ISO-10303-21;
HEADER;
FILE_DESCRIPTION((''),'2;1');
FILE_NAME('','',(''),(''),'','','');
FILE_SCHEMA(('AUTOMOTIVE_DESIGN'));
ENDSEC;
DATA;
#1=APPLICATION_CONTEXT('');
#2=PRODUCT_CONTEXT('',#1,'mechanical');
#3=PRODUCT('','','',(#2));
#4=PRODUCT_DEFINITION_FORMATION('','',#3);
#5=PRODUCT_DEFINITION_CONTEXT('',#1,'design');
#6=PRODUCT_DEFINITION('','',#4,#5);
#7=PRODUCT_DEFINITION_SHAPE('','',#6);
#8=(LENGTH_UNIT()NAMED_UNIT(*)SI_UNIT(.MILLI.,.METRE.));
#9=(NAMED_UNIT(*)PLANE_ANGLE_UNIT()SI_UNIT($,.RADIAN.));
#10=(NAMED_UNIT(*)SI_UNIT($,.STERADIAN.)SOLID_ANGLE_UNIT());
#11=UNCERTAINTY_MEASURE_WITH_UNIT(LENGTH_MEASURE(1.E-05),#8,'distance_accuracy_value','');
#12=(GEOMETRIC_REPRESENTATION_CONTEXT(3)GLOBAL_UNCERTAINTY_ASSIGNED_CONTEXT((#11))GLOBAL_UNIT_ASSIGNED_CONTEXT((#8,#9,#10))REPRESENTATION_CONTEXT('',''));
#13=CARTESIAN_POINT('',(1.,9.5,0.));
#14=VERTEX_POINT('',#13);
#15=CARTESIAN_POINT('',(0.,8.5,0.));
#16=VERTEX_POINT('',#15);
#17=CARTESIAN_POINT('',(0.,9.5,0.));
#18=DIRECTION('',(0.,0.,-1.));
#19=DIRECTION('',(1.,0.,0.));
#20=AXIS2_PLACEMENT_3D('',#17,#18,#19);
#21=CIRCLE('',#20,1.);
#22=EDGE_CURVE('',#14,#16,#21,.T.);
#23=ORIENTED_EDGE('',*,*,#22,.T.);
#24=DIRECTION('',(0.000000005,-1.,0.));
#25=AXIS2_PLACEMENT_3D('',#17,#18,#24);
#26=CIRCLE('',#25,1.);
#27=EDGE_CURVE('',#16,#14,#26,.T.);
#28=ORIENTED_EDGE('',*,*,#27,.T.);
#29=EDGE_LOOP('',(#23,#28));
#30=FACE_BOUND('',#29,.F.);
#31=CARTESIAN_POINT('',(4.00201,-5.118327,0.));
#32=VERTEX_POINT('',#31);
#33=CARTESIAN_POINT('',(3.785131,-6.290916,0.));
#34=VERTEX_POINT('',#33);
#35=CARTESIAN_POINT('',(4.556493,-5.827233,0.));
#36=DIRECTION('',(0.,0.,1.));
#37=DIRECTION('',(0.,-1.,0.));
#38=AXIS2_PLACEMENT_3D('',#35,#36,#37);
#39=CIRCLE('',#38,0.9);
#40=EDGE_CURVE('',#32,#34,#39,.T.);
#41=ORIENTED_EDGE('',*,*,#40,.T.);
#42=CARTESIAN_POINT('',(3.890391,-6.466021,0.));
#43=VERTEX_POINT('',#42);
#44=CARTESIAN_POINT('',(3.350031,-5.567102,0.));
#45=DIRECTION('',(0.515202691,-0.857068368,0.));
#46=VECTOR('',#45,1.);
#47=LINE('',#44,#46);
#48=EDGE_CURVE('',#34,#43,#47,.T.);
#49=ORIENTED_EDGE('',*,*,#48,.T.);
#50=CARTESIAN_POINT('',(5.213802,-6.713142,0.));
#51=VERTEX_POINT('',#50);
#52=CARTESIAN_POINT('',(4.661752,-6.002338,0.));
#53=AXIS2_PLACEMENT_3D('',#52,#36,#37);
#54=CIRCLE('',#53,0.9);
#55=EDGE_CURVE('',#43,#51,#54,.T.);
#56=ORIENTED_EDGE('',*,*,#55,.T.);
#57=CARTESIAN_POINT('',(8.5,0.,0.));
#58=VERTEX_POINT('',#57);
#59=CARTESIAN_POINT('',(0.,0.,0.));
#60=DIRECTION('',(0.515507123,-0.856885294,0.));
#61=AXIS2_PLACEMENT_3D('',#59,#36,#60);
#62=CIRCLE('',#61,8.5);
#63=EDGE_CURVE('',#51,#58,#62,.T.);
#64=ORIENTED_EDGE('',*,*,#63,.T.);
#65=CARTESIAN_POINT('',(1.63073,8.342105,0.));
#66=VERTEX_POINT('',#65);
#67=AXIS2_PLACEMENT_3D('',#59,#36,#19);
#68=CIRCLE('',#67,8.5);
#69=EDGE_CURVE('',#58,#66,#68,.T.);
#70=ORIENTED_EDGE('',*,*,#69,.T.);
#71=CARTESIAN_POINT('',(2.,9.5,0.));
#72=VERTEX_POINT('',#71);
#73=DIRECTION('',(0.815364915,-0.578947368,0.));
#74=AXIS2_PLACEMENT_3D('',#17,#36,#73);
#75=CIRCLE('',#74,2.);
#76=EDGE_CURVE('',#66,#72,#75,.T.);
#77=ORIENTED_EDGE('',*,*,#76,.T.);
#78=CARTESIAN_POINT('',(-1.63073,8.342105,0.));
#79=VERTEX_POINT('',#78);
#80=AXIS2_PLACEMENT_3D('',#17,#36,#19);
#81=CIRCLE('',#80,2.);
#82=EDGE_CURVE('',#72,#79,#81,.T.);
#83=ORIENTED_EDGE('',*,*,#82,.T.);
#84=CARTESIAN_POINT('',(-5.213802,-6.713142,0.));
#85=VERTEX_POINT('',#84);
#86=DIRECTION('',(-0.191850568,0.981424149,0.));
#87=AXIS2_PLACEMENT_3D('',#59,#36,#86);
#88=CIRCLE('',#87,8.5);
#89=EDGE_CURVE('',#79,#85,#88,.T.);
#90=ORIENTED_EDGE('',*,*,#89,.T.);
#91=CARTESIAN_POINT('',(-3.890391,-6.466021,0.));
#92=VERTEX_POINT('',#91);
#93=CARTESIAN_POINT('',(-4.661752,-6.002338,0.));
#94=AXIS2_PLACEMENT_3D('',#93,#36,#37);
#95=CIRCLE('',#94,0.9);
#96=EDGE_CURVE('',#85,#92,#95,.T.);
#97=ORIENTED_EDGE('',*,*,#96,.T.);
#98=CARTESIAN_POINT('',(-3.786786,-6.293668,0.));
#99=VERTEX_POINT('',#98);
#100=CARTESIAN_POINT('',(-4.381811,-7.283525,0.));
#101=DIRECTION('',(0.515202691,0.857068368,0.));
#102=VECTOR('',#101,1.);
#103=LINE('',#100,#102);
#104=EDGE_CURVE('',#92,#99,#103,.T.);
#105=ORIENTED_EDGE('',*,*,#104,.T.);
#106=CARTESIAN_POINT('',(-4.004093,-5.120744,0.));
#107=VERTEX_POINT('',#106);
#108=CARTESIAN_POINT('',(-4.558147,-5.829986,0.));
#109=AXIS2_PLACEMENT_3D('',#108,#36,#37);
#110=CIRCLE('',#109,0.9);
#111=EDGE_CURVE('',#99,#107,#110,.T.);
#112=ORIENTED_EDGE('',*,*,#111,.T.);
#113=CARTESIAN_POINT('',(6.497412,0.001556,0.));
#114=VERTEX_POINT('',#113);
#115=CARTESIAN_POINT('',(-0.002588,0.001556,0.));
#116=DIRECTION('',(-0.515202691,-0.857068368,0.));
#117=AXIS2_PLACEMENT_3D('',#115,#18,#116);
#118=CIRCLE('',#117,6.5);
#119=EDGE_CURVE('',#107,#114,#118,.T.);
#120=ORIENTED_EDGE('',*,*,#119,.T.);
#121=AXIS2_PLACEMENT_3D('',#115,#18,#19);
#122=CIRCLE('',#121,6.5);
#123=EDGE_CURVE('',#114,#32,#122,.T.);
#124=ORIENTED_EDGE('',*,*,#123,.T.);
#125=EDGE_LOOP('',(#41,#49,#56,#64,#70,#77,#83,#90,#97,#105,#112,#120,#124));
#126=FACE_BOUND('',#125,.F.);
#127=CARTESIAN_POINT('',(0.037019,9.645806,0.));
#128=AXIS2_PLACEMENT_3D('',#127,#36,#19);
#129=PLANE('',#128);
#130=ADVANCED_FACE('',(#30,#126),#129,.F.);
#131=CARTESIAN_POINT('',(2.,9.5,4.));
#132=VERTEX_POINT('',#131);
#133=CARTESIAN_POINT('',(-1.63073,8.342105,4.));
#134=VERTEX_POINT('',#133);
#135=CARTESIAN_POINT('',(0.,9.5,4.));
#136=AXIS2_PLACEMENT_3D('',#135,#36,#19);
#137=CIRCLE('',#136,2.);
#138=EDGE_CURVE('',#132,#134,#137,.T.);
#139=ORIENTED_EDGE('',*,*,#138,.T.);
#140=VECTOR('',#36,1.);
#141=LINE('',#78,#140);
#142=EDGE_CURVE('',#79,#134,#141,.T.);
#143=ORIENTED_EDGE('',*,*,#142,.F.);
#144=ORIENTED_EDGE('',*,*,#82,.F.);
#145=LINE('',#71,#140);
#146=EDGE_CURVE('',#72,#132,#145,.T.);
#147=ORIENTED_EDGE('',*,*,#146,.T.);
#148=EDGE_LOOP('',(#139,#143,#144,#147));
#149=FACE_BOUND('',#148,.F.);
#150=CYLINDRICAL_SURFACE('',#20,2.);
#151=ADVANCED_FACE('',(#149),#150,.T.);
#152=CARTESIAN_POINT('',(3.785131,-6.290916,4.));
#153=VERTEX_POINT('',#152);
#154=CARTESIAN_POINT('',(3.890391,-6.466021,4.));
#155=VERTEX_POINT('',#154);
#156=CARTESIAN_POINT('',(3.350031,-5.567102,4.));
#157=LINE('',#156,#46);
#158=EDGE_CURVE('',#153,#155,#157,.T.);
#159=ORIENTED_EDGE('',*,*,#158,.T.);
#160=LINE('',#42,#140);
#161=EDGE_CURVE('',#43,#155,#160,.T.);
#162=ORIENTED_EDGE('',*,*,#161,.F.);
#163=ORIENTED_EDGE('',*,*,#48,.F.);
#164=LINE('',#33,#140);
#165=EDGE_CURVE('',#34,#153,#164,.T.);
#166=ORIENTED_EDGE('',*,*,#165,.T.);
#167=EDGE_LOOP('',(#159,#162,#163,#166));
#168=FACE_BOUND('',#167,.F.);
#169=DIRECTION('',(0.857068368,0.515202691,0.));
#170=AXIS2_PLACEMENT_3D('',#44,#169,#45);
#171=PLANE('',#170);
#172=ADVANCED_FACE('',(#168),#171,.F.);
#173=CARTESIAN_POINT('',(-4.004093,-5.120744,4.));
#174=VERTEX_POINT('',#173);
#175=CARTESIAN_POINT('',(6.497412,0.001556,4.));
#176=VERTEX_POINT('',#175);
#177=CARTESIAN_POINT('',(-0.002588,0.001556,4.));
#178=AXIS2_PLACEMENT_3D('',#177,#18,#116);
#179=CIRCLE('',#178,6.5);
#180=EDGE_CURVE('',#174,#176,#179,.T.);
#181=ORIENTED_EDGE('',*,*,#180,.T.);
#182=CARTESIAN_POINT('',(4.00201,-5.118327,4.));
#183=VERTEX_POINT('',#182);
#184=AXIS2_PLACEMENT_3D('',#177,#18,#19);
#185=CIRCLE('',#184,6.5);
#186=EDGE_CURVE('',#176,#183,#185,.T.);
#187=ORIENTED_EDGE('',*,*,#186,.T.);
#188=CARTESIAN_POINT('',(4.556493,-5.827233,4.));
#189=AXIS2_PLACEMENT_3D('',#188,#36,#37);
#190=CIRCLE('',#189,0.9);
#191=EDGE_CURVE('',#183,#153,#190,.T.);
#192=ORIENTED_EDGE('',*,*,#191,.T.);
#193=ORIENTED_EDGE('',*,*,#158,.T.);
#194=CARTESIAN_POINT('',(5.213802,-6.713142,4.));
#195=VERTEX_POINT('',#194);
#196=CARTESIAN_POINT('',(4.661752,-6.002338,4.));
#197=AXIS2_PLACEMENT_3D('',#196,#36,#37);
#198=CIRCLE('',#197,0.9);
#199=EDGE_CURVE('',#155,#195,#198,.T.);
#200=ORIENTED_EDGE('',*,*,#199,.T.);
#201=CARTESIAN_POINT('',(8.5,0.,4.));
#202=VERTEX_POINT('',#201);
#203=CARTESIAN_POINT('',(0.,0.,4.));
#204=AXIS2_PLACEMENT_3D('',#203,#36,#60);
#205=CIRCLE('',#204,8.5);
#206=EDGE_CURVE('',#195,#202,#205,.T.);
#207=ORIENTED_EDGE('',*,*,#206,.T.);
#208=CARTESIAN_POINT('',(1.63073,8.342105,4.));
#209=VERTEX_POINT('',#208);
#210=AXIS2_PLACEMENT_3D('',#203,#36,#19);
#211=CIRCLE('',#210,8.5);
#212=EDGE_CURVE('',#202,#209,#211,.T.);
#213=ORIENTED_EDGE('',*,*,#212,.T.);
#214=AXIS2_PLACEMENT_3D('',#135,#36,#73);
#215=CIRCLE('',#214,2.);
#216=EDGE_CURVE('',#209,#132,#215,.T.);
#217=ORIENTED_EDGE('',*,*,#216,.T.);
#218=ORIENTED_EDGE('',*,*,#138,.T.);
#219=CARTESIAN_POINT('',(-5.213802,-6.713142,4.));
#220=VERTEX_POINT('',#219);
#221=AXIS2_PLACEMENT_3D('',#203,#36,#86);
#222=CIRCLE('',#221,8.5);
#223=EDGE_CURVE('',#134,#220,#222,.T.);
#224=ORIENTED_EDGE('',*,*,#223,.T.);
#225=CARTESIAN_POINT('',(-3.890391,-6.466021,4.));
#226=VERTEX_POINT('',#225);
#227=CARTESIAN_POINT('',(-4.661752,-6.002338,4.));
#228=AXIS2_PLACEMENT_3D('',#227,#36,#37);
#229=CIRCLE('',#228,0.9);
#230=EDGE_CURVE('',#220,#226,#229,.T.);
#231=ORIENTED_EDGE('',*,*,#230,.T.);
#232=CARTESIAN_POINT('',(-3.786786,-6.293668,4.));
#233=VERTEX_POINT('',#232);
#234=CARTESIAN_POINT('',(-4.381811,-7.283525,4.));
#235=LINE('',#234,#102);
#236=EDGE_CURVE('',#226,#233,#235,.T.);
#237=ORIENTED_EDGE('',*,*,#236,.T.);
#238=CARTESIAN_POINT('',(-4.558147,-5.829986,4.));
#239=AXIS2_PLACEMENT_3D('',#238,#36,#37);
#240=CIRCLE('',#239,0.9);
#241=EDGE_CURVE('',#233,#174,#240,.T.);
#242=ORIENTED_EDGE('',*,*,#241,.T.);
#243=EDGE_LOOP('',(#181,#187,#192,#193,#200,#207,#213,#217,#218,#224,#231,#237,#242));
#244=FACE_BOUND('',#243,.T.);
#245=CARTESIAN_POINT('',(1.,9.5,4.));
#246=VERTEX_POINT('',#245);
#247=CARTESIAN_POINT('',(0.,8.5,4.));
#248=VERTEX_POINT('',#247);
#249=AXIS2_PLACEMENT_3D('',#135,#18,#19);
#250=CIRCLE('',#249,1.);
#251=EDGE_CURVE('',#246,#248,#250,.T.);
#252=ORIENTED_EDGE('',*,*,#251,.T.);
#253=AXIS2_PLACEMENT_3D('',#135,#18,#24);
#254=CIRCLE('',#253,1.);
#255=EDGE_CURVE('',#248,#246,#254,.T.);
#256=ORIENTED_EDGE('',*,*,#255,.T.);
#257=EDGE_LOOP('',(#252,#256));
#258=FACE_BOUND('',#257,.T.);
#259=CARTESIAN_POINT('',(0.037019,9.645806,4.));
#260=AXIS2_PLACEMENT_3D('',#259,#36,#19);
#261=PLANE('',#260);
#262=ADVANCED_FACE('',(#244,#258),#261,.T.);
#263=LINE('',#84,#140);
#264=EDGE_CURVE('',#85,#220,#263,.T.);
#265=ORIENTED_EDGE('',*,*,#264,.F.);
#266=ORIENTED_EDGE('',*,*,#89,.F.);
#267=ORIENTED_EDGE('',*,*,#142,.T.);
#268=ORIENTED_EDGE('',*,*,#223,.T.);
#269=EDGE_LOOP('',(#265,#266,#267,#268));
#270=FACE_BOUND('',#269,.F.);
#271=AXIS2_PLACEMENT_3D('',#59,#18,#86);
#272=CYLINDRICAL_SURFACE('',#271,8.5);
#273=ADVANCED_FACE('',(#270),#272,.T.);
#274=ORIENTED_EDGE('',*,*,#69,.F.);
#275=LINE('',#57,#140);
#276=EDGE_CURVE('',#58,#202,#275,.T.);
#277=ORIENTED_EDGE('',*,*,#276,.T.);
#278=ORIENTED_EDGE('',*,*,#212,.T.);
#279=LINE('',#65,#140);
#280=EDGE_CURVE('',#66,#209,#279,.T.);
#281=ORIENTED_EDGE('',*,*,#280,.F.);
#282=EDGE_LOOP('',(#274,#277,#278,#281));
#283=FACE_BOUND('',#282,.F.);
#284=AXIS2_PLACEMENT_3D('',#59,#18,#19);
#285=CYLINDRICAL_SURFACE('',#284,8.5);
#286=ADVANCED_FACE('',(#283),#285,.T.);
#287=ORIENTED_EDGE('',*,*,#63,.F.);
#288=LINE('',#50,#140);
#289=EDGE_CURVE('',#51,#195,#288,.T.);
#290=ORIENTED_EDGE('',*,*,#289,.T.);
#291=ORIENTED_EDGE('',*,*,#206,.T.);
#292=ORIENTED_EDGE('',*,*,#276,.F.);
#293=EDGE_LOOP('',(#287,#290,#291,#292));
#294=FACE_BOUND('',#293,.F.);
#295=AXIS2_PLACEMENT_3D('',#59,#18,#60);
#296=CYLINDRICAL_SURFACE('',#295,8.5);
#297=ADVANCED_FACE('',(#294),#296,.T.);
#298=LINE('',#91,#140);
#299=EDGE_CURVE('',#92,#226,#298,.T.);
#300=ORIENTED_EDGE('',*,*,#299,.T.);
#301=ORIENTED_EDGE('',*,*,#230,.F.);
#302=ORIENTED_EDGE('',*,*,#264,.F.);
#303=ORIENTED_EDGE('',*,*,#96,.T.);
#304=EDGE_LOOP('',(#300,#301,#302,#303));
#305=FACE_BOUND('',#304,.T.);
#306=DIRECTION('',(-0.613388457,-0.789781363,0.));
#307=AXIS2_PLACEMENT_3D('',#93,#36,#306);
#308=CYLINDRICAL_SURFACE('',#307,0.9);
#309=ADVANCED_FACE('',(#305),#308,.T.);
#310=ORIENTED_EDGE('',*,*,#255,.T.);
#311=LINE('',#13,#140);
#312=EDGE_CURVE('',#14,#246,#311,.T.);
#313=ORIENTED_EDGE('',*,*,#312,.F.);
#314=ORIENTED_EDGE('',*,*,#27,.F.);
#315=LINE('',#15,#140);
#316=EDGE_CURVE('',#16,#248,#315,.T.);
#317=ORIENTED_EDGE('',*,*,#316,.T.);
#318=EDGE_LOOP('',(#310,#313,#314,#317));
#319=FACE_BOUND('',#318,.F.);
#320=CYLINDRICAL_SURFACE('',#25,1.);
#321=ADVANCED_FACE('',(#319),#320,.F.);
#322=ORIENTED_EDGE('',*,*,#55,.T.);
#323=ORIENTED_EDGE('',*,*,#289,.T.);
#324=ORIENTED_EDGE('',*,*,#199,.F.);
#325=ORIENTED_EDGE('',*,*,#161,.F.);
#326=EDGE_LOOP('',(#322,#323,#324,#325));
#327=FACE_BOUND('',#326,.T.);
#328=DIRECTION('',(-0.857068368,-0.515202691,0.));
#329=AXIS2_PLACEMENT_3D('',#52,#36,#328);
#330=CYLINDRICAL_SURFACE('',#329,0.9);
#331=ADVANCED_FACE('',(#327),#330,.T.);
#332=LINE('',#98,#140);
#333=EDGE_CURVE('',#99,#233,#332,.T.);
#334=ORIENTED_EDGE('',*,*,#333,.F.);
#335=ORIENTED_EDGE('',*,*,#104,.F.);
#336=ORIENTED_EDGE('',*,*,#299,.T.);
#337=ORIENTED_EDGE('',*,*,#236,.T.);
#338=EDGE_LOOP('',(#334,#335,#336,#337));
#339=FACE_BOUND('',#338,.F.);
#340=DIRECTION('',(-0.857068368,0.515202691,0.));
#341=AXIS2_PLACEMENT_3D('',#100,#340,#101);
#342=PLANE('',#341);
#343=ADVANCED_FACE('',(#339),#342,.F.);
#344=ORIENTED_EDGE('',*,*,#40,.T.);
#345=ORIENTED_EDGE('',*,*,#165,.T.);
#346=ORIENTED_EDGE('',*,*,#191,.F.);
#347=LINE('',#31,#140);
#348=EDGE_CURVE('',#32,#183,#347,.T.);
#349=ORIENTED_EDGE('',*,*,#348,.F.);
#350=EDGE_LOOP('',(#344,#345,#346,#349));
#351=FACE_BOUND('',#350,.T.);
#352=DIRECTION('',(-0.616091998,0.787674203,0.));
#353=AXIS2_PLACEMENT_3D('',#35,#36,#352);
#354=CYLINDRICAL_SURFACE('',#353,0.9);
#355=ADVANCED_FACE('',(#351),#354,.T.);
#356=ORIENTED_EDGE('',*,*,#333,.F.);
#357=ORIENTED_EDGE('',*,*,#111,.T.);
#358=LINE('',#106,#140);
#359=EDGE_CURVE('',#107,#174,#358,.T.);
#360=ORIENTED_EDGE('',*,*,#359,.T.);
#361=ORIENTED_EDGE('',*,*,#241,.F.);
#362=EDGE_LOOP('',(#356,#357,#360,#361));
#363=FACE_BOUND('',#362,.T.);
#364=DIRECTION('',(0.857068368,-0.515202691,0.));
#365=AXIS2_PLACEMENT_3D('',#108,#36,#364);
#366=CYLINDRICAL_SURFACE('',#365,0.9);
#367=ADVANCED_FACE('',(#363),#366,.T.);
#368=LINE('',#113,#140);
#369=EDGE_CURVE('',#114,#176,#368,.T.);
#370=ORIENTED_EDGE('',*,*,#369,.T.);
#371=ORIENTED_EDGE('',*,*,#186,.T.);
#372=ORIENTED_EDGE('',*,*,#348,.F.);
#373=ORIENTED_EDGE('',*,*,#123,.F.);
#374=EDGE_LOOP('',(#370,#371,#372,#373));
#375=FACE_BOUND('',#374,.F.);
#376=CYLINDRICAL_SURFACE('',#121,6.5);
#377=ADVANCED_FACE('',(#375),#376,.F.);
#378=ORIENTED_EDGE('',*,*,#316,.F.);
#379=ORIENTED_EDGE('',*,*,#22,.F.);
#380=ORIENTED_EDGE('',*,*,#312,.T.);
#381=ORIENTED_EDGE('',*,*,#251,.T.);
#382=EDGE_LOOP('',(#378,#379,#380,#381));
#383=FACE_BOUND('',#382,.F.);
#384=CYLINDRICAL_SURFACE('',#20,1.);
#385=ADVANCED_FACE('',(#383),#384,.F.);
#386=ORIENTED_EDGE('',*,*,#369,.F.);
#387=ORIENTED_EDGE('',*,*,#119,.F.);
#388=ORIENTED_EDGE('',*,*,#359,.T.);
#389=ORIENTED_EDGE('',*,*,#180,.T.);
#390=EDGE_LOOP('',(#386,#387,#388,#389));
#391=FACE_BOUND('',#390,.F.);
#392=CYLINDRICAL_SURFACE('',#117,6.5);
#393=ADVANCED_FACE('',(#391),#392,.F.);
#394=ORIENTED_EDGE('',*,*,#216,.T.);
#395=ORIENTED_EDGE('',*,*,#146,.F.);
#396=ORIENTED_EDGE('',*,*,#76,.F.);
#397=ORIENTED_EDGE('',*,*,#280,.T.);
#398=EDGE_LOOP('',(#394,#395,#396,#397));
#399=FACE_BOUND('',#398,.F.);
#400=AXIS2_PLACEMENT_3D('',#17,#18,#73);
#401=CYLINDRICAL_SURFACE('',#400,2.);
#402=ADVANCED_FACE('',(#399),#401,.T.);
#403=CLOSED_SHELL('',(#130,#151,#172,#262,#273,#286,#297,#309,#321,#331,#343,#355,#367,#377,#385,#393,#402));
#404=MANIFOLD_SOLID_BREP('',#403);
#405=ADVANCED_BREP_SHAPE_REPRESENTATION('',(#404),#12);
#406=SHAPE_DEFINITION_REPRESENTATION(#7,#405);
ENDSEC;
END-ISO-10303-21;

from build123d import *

# Parameters (mm, degrees)
F1_DEPTH = 4
F2_R     = 0.9


with BuildPart() as f1:
    # F0 (on Top) → F1 (new body)
    with BuildSketch(Plane.XY):
        with BuildLine():
            ThreePointArc((2, 9.5), (-0.6076760404, 11.4054474094), (-1.63072983, 8.3421052632))
            ThreePointArc((-1.63072983, 8.3421052632), (-0.8191780193, 8.4604342307), (5.2e-09, 8.5))
            ThreePointArc((5.2e-09, 8.5), (0.8191780245, 8.4604342302), (1.63072983, 8.3421052632))
            ThreePointArc((1.63072983, 8.3421052632), (1.9054474094, 8.8923239596), (2, 9.5))
        make_face()
        with BuildLine():
            ThreePointArc((1, 9.5), (0.707106783, 8.7928932207), (5.2e-09, 8.5))
            ThreePointArc((5.2e-09, 8.5), (-0.707106783, 10.2071067793), (1, 9.5))
        make_face(mode=Mode.SUBTRACT)
        with BuildLine():
            ThreePointArc((5.2e-09, 8.5), (-0.8191780193, 8.4604342307), (-1.63072983, 8.3421052632))
            ThreePointArc((-1.63072983, 8.3421052632), (0, 7.5), (1.63072983, 8.3421052632))
            ThreePointArc((1.63072983, 8.3421052632), (0.8191780245, 8.4604342302), (5.2e-09, 8.5))
        make_face()
        with BuildLine():
            ThreePointArc((-3.3514054387, -5.569388719), (-3.202797807, 5.6591750341), (6.4974120534, 0.0015556717))
            ThreePointArc((6.4974120534, 0.0015556717), (5.6561231197, -3.1967234074), (3.3500308017, -5.5671019338))
            Line((3.3500308017, -5.5671019338), (4.3818105446, -7.2835249949))
            ThreePointArc((4.3818105446, -7.2835249949), (7.3991685218, -4.183575646), (8.5, 0))
            ThreePointArc((8.5, 0), (6.5616767505, 5.4031840819), (1.63072983, 8.3421052632))
            ThreePointArc((1.63072983, 8.3421052632), (0, 7.5), (-1.63072983, 8.3421052632))
            ThreePointArc((-1.63072983, 8.3421052632), (-8.3712448704, 1.4738586502), (-4.3818105446, -7.2835249949))
            Line((-4.3818105446, -7.2835249949), (-3.3514054387, -5.569388719))
        make_face()
    extrude(amount=F1_DEPTH)

    # F2
    f2_edges = [f1.edges().sort_by_distance(p)[0] for p in [
        (4.381811, -7.283525, 2),
        (3.350031, -5.567102, 2),
        (-3.351405, -5.569389, 2),
        (-4.381811, -7.283525, 2),
    ]]
    fillet(f2_edges, radius=F2_R)


solid = f1.part
